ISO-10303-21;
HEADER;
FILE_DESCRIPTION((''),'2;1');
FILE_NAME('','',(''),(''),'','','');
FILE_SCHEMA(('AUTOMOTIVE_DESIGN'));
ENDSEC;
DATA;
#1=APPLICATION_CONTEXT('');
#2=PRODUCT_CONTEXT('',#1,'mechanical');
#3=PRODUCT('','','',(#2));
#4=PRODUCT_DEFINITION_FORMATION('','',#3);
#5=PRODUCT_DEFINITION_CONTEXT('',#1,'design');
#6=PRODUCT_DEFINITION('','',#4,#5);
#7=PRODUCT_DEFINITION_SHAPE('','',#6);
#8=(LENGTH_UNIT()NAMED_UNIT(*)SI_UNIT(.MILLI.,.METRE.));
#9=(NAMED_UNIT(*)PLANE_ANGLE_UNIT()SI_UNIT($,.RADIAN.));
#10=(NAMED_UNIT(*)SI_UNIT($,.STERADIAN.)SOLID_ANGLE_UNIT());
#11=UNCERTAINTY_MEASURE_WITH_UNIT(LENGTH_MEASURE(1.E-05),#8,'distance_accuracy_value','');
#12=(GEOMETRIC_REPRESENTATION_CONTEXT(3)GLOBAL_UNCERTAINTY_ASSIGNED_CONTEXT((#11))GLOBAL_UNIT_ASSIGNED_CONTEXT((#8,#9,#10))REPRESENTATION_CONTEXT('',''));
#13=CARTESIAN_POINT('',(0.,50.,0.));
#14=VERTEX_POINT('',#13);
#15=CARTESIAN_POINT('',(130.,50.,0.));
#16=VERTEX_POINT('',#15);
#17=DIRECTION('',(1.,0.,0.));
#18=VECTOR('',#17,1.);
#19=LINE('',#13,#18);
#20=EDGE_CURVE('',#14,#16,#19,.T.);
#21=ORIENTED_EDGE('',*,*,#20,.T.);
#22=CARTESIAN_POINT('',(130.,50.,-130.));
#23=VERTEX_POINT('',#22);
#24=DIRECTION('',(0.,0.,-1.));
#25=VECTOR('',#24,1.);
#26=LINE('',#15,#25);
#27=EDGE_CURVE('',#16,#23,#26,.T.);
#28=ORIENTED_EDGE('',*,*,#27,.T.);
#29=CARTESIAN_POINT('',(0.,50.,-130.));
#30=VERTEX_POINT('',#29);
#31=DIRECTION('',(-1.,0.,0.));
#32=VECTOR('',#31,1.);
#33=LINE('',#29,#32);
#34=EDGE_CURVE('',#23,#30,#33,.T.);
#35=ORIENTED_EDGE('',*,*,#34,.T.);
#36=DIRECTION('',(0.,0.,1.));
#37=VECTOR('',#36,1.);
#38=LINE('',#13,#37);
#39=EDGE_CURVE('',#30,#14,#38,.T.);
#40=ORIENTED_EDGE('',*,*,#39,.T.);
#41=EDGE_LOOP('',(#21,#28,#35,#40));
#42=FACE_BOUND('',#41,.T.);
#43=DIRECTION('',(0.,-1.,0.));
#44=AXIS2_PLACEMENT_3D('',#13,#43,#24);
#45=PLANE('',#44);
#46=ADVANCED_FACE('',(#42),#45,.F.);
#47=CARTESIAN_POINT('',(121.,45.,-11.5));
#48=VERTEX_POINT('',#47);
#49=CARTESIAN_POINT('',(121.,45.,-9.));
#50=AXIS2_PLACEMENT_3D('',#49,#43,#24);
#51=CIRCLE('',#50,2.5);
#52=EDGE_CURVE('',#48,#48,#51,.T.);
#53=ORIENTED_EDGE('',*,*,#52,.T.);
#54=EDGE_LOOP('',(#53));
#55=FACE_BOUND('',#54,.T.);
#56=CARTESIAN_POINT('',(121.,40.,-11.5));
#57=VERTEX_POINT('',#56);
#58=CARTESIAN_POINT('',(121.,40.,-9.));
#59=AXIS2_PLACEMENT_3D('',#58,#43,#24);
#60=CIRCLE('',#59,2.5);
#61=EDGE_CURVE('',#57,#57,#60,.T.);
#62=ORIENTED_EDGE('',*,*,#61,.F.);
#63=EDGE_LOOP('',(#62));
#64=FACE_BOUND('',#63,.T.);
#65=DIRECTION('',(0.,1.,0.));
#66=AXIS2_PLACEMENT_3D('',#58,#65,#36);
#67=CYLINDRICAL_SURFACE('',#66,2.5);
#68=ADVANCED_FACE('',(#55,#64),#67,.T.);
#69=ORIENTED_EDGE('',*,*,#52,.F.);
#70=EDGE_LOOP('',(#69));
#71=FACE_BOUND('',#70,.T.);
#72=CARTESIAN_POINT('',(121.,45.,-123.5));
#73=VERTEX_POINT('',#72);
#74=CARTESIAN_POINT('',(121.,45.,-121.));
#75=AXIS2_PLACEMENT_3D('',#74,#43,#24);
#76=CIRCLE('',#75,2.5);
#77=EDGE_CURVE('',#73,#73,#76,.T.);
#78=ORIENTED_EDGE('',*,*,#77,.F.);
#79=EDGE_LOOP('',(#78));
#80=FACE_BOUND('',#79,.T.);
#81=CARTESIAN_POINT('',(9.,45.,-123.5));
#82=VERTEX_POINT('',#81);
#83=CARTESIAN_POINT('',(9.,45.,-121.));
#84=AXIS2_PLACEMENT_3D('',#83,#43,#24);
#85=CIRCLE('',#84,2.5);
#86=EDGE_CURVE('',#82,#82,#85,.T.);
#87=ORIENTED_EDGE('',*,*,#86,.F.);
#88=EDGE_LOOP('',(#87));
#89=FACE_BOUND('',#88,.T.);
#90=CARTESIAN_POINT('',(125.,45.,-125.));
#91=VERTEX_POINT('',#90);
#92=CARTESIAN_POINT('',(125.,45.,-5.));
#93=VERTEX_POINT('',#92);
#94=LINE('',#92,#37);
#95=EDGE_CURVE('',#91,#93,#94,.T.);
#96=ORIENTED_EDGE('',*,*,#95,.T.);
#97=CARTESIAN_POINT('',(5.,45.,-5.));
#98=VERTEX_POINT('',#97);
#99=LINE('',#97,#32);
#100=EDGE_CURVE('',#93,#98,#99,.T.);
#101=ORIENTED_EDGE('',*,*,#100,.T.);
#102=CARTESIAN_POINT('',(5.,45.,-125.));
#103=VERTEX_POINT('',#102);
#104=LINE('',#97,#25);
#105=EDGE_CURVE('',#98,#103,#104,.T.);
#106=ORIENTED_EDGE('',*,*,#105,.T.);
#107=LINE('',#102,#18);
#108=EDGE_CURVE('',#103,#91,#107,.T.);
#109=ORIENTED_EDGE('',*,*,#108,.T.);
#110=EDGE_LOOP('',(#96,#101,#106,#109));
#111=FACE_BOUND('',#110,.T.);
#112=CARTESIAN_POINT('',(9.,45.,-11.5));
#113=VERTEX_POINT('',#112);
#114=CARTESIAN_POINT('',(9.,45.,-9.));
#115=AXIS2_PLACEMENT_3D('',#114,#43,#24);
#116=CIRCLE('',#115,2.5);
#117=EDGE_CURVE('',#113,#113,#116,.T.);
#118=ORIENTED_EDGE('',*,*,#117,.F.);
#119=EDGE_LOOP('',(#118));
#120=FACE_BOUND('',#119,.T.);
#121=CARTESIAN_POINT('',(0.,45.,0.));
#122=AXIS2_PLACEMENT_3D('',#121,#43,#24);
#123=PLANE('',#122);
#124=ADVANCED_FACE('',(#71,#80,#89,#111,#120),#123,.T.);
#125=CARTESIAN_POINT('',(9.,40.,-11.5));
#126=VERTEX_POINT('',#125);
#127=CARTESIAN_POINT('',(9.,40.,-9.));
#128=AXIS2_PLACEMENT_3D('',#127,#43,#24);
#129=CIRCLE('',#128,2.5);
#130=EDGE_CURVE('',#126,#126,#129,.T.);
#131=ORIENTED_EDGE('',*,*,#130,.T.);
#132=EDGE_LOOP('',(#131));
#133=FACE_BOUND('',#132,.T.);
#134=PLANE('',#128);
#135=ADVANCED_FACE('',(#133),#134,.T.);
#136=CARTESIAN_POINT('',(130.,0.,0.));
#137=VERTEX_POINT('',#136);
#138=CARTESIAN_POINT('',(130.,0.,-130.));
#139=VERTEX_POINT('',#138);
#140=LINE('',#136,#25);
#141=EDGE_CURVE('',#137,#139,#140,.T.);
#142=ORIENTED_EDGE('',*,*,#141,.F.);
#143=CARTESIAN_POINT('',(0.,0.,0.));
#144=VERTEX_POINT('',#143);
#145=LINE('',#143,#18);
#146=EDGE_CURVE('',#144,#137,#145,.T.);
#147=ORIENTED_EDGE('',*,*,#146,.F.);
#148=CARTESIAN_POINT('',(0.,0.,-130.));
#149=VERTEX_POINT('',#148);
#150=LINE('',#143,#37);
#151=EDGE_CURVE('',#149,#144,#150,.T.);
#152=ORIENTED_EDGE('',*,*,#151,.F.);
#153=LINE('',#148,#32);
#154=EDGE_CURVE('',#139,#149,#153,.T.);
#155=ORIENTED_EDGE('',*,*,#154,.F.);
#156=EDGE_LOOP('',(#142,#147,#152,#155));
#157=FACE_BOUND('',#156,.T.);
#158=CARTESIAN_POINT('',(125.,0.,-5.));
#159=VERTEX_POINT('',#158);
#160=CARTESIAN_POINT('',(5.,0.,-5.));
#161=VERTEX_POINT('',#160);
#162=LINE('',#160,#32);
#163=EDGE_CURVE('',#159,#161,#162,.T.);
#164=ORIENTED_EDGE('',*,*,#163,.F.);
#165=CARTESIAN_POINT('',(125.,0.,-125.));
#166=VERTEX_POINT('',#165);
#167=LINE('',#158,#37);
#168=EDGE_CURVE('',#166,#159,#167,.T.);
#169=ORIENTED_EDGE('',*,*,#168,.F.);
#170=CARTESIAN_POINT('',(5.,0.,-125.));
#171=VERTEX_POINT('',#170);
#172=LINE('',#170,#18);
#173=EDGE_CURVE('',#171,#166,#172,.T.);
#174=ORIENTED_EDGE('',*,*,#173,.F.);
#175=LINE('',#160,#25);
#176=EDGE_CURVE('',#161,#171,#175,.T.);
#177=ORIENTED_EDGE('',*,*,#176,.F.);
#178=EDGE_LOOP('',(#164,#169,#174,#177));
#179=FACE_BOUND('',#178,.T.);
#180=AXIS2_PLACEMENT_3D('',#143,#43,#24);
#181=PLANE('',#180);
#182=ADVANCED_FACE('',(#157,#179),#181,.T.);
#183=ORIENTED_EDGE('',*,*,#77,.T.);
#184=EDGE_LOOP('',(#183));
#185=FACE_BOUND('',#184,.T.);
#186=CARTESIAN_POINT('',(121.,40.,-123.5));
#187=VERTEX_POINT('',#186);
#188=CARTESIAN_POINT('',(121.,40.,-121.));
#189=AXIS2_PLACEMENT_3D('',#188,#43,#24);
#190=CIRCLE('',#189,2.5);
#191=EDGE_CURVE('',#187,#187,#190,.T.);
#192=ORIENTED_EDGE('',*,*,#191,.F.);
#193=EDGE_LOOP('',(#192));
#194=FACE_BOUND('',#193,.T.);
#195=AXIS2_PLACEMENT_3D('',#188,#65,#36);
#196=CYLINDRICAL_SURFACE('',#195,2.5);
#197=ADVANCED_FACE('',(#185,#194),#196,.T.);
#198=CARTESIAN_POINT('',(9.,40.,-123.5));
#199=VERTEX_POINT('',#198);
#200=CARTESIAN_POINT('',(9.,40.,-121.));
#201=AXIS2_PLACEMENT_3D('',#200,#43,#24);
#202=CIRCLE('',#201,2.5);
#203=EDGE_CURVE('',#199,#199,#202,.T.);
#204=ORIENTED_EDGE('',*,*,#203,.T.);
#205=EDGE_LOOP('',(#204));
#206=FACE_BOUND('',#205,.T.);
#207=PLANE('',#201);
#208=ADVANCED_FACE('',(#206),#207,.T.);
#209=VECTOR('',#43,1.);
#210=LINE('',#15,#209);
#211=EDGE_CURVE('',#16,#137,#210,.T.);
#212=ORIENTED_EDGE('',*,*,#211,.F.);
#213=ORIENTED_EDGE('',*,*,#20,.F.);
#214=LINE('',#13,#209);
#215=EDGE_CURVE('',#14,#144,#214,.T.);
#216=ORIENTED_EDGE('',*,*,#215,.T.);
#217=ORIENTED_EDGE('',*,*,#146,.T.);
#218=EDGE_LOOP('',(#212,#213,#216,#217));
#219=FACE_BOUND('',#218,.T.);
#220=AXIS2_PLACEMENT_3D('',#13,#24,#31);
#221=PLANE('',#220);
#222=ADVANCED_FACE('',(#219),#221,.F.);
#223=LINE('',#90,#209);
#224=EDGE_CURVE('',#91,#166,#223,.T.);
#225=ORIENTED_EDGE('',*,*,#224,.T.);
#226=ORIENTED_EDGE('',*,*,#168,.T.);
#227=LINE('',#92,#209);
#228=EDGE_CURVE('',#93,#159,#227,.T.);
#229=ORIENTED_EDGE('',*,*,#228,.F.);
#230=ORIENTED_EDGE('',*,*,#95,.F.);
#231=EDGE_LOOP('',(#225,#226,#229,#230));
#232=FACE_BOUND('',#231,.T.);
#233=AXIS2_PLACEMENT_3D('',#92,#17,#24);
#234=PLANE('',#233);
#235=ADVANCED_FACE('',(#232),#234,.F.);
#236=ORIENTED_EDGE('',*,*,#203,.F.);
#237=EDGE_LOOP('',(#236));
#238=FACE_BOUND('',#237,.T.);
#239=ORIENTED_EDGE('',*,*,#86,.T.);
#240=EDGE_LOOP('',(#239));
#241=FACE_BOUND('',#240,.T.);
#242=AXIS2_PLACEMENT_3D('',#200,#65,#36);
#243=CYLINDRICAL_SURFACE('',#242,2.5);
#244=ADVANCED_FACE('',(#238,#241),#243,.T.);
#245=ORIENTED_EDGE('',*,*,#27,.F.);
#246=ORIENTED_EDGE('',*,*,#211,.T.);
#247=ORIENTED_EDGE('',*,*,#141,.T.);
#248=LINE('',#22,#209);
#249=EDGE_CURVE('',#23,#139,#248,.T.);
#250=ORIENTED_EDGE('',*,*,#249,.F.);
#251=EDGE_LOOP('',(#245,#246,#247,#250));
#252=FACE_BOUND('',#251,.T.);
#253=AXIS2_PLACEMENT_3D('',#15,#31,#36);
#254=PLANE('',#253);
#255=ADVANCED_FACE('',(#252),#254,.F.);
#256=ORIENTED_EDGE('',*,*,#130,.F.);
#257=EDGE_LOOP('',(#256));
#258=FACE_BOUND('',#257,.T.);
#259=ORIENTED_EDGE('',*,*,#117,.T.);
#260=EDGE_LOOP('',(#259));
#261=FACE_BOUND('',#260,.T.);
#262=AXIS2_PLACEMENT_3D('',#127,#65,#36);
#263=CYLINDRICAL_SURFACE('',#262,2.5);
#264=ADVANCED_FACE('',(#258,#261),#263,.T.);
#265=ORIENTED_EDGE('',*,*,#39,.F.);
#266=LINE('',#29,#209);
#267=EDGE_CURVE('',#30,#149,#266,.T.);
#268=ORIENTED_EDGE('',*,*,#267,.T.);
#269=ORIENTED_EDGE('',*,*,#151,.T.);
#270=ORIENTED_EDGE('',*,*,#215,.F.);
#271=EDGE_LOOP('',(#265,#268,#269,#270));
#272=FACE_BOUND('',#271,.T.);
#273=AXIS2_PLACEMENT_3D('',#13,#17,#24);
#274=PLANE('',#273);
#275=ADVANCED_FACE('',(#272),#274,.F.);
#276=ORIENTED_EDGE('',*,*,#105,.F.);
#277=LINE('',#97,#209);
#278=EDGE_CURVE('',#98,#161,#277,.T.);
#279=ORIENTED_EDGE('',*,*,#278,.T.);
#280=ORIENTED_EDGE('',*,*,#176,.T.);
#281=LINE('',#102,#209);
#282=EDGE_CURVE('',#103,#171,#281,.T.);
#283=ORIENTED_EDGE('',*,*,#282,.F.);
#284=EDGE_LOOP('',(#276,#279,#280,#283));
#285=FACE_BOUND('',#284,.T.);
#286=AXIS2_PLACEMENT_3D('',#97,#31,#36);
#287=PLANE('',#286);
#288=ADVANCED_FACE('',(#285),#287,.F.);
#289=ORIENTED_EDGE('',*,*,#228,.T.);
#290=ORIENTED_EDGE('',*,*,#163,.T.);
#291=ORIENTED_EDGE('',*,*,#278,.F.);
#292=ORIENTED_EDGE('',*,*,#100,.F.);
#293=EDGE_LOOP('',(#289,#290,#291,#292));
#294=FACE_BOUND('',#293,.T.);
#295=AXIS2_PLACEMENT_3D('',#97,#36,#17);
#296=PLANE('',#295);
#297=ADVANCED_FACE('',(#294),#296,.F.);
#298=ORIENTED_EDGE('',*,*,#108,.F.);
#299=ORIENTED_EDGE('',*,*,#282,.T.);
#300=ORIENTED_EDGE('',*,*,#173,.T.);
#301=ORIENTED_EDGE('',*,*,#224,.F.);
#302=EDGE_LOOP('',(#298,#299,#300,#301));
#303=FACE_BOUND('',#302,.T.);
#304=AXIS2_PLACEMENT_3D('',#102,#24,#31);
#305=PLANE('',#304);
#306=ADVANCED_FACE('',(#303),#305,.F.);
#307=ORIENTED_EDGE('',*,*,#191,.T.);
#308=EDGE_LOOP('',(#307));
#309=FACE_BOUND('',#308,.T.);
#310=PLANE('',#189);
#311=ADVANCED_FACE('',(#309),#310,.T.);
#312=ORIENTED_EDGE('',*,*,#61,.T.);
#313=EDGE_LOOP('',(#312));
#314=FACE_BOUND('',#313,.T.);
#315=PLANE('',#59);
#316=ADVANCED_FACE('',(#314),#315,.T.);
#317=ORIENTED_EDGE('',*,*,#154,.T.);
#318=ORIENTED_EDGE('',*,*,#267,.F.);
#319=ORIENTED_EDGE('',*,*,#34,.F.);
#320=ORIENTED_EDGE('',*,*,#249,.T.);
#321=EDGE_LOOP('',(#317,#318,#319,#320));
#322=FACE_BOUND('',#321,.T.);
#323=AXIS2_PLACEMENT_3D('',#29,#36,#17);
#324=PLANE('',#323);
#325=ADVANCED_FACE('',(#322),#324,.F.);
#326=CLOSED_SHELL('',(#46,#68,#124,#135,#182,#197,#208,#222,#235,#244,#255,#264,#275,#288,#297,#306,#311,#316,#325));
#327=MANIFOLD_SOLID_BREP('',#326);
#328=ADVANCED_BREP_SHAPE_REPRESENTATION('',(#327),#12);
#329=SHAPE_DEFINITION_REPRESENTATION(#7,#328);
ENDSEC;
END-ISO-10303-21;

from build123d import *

# Parameters (mm, degrees)
SKETCH1_W           = 130
SKETCH1_H           = 130
BOSS_EXTRUDE1_DEPTH = 50
SKETCH2_W           = 120
SKETCH2_H           = 120
CUT_EXTRUDE1_DEPTH  = 45
SKETCH3_R           = 2.5
BOSS_EXTRUDE2_DEPTH = 5


with BuildPart() as part:
    # Sketch1 → Boss-Extrude1 (new body)
    with BuildSketch(Plane(origin=(0, 0, 0), x_dir=(1, 0, 0), z_dir=(0, 1, 0))):
        with Locations((65, 65)):
            Rectangle(SKETCH1_W, SKETCH1_H)
    extrude(amount=BOSS_EXTRUDE1_DEPTH)

    # Sketch2 → Cut-Extrude1 (cut)
    with BuildSketch(Plane.XZ):
        with Locations((65, -65)):
            Rectangle(SKETCH2_W, SKETCH2_H)
    extrude(amount=-CUT_EXTRUDE1_DEPTH, mode=Mode.SUBTRACT)

    # Sketch3 → Boss-Extrude2 (add)
    with BuildSketch(Plane(origin=(0, 45, 0), x_dir=(-1, 0, 0), z_dir=(0, -1, 0))):
        with Locations((-9, 121)):
            Circle(SKETCH3_R)
        with Locations((-121, 121)):
            Circle(SKETCH3_R)
        with Locations((-9, 9)):
            Circle(SKETCH3_R)
        with Locations((-121, 9)):
            Circle(SKETCH3_R)
    extrude(amount=BOSS_EXTRUDE2_DEPTH)


solid = part.part
